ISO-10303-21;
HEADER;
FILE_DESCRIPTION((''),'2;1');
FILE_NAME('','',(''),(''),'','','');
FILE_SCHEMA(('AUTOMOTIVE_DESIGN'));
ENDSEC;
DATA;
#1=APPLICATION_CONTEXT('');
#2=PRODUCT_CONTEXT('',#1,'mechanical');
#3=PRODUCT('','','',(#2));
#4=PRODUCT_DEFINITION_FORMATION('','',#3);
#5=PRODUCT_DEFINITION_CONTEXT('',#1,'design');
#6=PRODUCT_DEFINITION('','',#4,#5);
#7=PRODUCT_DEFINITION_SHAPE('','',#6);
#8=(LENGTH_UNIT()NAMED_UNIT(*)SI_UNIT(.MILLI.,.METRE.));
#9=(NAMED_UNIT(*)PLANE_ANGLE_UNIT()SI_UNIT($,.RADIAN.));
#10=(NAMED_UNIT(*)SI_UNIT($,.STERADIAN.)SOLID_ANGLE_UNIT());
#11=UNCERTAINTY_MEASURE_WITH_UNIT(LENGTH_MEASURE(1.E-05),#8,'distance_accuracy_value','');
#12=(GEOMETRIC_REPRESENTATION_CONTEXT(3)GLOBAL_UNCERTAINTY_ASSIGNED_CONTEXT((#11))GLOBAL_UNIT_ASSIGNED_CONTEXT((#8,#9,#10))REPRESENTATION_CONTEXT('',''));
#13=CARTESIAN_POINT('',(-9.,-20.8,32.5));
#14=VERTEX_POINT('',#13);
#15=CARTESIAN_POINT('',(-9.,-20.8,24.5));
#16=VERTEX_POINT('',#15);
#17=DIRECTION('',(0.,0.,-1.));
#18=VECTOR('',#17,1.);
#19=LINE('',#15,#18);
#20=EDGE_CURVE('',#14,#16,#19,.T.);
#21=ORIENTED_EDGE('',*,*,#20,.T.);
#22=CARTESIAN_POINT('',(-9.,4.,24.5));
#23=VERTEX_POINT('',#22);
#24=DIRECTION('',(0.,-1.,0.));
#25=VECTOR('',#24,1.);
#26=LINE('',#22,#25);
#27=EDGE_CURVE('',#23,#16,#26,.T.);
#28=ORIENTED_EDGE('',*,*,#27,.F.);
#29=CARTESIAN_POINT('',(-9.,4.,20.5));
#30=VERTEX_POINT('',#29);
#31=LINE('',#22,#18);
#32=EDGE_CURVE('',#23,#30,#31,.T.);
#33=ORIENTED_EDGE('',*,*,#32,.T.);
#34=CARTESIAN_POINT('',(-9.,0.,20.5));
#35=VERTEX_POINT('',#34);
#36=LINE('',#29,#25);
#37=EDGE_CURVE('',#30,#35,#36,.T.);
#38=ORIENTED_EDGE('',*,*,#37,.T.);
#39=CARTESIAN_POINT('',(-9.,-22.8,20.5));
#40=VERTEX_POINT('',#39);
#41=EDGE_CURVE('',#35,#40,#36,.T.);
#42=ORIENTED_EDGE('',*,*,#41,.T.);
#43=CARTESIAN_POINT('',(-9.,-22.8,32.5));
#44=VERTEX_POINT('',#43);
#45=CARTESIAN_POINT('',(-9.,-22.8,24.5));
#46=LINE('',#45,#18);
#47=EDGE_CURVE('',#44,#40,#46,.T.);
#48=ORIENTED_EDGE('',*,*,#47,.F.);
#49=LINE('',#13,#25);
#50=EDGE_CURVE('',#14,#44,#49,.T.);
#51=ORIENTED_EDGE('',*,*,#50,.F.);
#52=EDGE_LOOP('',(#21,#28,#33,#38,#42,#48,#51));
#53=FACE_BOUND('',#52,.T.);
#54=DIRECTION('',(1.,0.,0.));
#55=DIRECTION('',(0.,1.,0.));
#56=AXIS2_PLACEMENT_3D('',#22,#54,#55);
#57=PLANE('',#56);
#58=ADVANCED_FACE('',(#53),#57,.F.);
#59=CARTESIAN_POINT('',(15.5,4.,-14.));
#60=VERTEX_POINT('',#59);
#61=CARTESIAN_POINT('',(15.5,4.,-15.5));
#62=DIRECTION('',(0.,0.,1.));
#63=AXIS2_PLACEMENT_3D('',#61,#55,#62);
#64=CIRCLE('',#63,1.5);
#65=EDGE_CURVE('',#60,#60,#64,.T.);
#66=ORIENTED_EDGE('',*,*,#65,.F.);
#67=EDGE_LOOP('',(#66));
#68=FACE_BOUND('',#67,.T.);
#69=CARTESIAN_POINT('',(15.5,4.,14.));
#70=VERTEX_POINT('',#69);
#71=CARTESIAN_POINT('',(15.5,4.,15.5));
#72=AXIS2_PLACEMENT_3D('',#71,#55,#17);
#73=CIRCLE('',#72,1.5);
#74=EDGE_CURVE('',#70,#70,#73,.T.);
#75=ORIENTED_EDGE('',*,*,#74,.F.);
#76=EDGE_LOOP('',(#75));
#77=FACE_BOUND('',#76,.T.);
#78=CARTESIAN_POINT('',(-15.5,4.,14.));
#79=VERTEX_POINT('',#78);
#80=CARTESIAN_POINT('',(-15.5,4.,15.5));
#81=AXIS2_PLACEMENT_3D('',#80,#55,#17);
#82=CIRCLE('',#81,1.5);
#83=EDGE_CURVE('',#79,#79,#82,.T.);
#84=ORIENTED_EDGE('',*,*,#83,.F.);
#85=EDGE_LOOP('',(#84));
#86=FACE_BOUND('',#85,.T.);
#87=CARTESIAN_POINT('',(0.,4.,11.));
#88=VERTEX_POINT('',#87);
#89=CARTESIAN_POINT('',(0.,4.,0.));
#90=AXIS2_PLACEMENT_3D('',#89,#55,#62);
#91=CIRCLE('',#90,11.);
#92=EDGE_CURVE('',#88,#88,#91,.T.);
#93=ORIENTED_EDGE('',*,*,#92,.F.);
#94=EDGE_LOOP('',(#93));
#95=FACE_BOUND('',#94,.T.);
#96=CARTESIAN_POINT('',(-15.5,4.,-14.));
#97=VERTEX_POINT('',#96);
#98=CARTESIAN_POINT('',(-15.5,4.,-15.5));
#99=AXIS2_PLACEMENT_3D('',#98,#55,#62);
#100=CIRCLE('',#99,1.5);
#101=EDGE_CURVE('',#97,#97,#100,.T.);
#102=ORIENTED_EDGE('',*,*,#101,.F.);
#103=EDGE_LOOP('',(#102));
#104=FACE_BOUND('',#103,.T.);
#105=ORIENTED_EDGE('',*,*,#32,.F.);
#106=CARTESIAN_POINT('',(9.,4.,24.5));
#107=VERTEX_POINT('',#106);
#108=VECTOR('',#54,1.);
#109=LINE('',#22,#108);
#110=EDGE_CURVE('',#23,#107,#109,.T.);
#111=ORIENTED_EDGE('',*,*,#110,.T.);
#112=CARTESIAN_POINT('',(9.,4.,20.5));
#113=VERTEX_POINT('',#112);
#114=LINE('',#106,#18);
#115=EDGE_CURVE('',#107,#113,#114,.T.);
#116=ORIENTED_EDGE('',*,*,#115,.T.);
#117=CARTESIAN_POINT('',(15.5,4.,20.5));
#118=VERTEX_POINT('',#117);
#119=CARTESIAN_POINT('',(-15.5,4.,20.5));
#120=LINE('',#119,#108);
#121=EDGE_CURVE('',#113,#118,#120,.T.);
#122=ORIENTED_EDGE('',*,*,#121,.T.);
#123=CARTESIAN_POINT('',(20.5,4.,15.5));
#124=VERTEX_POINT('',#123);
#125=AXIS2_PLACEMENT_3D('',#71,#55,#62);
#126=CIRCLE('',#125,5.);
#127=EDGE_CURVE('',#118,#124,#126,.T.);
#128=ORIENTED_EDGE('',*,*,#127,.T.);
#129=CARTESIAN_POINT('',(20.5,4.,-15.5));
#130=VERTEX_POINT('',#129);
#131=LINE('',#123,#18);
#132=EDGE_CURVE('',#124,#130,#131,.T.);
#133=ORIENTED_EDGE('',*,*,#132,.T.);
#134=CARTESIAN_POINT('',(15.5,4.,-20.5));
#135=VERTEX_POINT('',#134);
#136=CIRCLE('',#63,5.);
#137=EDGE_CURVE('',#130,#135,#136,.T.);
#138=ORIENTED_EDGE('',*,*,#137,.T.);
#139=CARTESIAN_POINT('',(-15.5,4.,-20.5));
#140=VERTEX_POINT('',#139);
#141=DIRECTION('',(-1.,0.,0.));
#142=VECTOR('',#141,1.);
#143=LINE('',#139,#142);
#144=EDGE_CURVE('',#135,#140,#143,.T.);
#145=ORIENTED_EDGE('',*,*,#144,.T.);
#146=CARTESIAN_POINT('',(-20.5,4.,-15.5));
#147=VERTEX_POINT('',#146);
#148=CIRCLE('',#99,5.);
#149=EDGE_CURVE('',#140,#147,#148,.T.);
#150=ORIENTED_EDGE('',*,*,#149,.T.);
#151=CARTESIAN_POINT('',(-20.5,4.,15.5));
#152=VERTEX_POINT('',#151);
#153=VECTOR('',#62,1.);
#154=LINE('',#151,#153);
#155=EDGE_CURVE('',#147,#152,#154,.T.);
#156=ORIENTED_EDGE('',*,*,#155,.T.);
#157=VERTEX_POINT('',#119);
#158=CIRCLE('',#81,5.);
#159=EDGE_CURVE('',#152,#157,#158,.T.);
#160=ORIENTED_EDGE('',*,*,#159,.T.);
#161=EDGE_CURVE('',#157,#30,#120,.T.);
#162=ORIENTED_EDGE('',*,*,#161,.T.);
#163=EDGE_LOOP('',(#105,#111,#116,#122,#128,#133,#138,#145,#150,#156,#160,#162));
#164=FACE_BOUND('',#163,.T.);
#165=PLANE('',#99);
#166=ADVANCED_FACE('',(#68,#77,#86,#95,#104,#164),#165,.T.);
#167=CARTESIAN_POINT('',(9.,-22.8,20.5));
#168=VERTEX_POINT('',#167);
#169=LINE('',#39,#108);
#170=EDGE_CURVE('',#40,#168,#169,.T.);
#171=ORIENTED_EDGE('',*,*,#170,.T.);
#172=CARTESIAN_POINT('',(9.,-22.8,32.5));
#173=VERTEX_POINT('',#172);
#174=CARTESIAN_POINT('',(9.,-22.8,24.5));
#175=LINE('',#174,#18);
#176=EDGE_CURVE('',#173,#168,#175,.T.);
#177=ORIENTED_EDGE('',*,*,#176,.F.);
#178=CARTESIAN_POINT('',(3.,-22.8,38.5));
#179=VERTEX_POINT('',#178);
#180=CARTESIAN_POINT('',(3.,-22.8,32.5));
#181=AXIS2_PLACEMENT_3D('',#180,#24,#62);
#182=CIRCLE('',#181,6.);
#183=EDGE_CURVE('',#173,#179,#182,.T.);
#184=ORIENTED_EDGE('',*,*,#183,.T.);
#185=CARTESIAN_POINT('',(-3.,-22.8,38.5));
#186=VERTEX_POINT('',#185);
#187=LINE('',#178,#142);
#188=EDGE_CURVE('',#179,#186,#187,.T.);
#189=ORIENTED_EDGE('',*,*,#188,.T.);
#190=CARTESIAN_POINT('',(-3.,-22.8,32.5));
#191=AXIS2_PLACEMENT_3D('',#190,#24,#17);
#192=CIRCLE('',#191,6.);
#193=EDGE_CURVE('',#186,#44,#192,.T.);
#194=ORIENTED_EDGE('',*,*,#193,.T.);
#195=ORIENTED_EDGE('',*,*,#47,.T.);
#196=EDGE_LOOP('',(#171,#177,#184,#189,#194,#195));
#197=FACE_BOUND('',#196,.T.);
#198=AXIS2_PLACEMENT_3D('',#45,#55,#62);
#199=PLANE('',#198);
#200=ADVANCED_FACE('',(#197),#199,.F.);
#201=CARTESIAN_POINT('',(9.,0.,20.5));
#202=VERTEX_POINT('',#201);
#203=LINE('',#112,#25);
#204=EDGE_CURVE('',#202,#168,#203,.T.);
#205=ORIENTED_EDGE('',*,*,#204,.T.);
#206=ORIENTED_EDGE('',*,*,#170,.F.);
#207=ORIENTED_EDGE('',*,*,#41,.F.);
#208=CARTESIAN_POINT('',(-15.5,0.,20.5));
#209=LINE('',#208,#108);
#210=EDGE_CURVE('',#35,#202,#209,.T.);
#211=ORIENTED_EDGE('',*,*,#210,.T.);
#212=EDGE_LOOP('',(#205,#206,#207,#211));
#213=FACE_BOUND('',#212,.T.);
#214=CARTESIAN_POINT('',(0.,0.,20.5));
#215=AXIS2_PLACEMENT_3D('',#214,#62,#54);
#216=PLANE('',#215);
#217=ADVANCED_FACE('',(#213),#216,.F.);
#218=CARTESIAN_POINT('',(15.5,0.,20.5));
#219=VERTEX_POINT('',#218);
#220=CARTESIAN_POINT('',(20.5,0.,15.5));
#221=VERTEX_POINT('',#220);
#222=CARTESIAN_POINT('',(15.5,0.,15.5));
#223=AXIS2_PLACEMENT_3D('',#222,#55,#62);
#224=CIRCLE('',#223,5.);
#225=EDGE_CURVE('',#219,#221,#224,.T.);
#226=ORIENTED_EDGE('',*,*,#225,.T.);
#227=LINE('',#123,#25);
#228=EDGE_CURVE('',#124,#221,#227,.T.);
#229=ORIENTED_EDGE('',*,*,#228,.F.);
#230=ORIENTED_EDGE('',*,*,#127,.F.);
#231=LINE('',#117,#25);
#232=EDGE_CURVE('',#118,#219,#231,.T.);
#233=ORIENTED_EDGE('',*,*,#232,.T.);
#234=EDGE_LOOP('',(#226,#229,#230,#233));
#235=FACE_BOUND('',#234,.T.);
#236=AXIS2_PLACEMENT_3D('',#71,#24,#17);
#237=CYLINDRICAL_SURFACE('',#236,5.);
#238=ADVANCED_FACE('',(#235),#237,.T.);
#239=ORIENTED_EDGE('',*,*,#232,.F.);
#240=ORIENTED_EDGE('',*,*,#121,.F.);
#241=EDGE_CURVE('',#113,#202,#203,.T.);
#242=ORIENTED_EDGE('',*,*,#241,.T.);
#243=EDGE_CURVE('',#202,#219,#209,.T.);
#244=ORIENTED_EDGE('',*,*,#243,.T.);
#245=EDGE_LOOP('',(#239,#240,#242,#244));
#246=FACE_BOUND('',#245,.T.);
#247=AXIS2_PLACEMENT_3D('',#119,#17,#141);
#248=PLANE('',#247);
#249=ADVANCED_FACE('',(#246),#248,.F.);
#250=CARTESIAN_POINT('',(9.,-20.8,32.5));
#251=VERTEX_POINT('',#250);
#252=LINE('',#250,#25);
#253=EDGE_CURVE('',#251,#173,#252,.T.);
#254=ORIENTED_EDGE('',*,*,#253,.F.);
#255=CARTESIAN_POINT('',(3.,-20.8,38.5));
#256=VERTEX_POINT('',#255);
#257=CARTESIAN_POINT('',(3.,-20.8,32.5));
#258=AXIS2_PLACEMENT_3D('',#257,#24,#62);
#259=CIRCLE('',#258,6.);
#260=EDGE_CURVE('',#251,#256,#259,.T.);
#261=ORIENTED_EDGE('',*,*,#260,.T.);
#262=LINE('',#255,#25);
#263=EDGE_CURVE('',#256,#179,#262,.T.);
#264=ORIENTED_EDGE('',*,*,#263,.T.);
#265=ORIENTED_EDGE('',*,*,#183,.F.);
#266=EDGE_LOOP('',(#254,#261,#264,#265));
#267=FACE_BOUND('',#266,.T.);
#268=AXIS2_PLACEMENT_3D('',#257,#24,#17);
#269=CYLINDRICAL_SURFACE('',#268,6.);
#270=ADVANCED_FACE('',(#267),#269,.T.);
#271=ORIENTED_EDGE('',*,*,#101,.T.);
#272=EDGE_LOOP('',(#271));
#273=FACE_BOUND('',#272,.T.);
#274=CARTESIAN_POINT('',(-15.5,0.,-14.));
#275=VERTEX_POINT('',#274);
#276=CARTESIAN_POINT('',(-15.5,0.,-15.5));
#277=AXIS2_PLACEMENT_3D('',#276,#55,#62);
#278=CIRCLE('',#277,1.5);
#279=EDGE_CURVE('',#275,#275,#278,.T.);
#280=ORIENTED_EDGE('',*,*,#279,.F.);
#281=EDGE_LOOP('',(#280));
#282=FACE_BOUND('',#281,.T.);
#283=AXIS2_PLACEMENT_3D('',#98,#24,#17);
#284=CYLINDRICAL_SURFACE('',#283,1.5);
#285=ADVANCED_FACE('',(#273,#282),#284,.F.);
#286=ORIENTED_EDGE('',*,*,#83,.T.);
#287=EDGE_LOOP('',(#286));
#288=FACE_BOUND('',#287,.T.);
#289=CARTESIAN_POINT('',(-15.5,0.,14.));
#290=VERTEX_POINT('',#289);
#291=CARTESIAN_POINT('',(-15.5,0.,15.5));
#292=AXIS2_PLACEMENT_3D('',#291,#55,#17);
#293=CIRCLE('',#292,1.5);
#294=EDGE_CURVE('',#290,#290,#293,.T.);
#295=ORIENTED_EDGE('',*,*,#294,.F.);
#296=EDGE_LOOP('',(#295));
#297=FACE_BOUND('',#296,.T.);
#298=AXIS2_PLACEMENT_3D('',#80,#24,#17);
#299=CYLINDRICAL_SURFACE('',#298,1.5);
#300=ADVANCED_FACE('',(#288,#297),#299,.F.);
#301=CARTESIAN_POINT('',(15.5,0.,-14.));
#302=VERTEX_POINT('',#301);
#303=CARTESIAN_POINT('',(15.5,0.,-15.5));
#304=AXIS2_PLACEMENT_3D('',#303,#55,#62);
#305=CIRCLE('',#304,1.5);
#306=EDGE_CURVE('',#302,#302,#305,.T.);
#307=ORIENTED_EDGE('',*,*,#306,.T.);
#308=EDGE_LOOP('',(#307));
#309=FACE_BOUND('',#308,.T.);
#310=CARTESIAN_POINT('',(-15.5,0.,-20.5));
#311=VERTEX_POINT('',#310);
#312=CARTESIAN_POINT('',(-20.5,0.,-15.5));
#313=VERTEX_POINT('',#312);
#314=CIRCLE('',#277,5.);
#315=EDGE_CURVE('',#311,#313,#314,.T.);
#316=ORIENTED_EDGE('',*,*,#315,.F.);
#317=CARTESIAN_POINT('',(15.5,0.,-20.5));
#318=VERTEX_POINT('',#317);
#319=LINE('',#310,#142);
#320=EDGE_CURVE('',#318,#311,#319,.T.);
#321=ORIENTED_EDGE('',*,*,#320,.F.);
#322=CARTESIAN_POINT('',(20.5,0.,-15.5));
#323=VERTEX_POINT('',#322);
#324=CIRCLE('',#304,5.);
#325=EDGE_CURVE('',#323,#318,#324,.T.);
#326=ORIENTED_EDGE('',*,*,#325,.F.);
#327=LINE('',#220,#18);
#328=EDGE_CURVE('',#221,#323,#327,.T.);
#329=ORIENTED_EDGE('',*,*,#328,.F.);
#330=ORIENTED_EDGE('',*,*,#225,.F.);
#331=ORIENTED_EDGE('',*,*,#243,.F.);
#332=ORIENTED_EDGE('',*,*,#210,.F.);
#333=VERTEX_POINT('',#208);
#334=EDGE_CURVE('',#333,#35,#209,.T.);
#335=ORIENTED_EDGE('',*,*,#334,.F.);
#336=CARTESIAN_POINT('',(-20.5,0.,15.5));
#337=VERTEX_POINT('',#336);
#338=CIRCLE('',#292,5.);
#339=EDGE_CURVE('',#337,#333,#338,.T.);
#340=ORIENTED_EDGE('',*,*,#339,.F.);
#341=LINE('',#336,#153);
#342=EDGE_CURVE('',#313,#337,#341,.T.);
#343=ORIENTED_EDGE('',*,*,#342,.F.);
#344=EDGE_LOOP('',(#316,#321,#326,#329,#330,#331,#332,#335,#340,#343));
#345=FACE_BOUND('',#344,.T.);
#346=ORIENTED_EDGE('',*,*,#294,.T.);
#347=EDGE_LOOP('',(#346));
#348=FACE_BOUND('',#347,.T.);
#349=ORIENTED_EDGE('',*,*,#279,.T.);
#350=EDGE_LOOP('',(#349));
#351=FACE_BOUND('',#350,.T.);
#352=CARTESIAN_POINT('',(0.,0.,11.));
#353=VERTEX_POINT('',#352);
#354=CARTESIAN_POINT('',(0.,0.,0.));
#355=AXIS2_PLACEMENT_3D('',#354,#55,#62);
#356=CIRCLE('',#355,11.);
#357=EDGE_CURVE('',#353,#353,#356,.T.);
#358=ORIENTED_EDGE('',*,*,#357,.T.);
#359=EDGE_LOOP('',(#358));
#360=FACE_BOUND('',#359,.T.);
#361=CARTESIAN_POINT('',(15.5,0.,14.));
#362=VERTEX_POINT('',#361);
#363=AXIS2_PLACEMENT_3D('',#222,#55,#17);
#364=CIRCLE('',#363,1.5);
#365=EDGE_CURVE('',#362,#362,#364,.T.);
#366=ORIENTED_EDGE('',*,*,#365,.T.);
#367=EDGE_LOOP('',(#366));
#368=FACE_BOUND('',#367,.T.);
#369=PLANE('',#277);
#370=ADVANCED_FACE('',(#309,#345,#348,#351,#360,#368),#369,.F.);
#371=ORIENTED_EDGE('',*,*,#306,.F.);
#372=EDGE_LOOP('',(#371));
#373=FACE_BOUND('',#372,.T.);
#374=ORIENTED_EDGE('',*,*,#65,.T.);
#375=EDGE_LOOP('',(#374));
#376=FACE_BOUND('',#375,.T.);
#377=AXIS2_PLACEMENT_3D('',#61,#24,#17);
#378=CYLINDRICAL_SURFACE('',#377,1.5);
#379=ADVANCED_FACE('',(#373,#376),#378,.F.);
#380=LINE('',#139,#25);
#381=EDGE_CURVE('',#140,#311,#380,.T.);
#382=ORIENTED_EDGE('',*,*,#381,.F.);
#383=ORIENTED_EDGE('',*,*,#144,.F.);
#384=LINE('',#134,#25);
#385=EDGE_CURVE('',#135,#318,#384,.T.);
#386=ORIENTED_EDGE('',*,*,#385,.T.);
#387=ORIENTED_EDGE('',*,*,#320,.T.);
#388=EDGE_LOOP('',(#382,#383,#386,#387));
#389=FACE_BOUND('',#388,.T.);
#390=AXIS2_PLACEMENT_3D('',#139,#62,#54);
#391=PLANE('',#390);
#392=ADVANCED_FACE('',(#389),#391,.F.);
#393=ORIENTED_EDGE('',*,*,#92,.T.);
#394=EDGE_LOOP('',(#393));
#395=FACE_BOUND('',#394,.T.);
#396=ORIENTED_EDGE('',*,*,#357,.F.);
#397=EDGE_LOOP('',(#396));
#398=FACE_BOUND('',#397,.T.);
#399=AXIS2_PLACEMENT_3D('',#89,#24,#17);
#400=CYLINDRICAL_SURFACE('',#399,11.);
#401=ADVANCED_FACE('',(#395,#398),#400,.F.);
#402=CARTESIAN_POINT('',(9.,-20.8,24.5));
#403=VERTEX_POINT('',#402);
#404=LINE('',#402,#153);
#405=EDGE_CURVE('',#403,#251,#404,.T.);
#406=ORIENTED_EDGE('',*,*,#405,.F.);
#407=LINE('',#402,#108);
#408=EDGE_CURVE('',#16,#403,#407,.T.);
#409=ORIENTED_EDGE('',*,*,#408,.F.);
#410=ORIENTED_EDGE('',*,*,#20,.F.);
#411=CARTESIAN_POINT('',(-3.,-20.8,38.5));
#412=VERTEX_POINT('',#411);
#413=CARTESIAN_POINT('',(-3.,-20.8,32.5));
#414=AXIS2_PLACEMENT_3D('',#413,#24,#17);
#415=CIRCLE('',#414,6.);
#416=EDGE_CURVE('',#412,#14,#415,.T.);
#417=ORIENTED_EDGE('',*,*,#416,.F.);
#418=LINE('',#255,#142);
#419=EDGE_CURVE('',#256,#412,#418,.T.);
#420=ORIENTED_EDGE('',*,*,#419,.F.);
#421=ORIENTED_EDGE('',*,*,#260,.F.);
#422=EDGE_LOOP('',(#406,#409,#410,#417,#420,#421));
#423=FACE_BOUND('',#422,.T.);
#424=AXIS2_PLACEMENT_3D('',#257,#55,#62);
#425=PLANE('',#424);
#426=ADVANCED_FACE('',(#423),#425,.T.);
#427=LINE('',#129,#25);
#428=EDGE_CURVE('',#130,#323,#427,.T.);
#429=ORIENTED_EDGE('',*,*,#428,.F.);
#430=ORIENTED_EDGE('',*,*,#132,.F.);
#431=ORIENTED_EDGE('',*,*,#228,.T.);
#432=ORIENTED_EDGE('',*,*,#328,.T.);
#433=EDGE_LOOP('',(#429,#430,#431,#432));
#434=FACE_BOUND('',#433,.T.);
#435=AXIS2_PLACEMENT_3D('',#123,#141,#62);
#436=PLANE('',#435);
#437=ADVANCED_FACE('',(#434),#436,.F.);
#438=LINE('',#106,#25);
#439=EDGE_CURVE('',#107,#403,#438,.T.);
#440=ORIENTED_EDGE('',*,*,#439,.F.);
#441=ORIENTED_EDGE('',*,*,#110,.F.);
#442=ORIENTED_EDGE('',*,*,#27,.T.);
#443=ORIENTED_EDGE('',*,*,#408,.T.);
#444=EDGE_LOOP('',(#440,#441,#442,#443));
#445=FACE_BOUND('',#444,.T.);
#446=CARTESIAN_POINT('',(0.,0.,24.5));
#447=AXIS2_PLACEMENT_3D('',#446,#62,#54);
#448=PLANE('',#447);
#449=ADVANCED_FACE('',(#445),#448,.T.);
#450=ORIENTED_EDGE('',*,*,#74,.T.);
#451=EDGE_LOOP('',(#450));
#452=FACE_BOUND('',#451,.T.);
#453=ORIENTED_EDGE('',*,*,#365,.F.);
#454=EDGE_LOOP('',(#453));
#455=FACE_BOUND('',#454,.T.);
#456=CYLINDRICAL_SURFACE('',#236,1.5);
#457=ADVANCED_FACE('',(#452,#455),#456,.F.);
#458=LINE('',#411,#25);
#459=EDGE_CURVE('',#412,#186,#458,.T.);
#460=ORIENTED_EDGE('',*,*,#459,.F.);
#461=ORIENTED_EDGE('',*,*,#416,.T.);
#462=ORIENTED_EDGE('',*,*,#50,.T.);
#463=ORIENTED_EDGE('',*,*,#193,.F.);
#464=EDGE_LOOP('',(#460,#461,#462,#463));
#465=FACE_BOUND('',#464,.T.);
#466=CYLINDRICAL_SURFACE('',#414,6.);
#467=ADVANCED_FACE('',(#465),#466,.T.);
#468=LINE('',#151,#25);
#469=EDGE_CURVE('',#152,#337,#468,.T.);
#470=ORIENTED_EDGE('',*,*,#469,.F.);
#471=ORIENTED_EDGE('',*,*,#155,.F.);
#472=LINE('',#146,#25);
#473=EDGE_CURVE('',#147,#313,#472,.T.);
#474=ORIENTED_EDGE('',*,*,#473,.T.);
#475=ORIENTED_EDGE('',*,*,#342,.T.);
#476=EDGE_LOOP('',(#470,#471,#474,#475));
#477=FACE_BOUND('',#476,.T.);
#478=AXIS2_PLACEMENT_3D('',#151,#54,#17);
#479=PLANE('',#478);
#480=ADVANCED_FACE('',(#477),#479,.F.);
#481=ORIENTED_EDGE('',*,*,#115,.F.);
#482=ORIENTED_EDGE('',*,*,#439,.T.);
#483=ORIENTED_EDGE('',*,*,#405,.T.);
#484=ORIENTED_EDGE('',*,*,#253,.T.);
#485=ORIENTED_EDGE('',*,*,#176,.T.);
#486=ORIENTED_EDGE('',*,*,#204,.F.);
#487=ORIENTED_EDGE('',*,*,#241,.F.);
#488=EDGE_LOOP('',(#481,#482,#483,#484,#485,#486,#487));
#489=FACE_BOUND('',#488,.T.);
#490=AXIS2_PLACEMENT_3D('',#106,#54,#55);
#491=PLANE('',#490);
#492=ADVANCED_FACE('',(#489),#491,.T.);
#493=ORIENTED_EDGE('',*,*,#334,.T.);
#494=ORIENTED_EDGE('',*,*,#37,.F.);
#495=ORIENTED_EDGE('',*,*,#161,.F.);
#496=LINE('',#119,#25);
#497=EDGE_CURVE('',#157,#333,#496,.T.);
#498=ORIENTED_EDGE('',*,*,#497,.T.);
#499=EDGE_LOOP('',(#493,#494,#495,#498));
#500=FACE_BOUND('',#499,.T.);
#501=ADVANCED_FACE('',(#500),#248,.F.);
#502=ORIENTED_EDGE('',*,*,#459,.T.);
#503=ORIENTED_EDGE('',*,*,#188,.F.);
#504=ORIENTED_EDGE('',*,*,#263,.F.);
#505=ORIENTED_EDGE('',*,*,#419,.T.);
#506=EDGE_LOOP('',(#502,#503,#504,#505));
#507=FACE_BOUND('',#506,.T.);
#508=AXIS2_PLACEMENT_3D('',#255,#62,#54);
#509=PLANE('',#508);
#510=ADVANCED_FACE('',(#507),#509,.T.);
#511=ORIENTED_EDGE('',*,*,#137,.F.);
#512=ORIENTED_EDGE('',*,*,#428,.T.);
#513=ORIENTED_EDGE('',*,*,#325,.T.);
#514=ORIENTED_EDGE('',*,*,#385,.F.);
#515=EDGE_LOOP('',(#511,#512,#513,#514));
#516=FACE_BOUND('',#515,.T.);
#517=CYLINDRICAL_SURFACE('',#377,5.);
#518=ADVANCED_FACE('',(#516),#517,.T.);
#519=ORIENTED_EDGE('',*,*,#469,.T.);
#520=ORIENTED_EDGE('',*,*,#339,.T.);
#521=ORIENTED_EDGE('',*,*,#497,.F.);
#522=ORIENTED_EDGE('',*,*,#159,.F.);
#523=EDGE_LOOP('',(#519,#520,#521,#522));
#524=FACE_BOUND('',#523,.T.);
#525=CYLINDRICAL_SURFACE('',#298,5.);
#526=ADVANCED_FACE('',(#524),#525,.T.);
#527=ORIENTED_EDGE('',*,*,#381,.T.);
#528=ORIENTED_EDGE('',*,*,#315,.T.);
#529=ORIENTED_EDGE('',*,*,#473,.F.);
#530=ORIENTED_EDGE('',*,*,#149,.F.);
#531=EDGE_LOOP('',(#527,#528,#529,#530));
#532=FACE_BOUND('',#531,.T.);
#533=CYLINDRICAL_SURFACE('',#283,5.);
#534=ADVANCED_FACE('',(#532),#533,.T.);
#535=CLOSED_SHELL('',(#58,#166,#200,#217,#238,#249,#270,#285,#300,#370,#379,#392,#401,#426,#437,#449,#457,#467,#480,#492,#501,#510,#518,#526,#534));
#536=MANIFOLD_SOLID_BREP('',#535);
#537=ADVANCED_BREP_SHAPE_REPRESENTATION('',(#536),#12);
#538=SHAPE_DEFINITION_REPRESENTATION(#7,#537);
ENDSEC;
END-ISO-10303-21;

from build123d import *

# Parameters (mm, degrees)
SKETCH_2_R        = 11
SKETCH_2_R_2      = 1.5
EXTRUDE_483_DEPTH = 4
SKETCH_3_W        = 18
SKETCH_3_H        = 26.8
EXTRUDE_726_DEPTH = 4
EXTRUDE_922_DEPTH = 2


with BuildPart() as part:
    # Эскиз2 → Extrude 483 (new body)
    with BuildSketch(Plane(origin=(0, 0, 0), x_dir=(1, 0, 0), z_dir=(0, 1, 0))):
        with BuildLine():
            Line((-15.5, -20.5), (15.5, -20.5))
            ThreePointArc((15.5, -20.5), (19.035533906, -19.035533906), (20.5, -15.5))
            Line((20.5, -15.5), (20.5, 15.5))
            ThreePointArc((20.5, 15.5), (19.035533906, 19.035533906), (15.5, 20.5))
            Line((15.5, 20.5), (-15.5, 20.5))
            ThreePointArc((-15.5, 20.5), (-19.035533906, 19.035533906), (-20.5, 15.5))
            Line((-20.5, 15.5), (-20.5, -15.5))
            ThreePointArc((-20.5, -15.5), (-19.035533906, -19.035533906), (-15.5, -20.5))
        make_face()
        with Locations(Location((0, 0, 0), (0, 0, 270))):
            Circle(SKETCH_2_R, mode=Mode.SUBTRACT)
        with Locations(Location((-15.5, 15.5, 0), (0, 0, 270))):
            Circle(SKETCH_2_R_2, mode=Mode.SUBTRACT)
        with Locations(Location((15.5, -15.5, 0), (0, 0, 90))):
            Circle(SKETCH_2_R_2, mode=Mode.SUBTRACT)
        with Locations(Location((-15.5, -15.5, 0), (0, 0, 90))):
            Circle(SKETCH_2_R_2, mode=Mode.SUBTRACT)
        with Locations(Location((15.5, 15.5, 0), (0, 0, 270))):
            Circle(SKETCH_2_R_2, mode=Mode.SUBTRACT)
    extrude(amount=EXTRUDE_483_DEPTH)

    # Эскиз3 → Extrude 726 (add)
    with BuildSketch(Plane.XY.offset(20.5)):
        with Locations((0, -9.4)):
            Rectangle(SKETCH_3_W, SKETCH_3_H)
    extrude(amount=EXTRUDE_726_DEPTH)

    # Эскиз4 → Extrude 922 (add)
    with BuildSketch(Plane.XZ.offset(22.8)):
        with BuildLine():
            Line((9, 24.5), (-9, 24.5))
            Line((-9, 24.5), (-9, 32.5))
            ThreePointArc((-9, 32.5), (-7.242640687, 36.742640687), (-3, 38.5))
            Line((-3, 38.5), (3, 38.5))
            ThreePointArc((3, 38.5), (7.242640687, 36.742640687), (9, 32.5))
            Line((9, 32.5), (9, 24.5))
        make_face()
    extrude(amount=-EXTRUDE_922_DEPTH)


solid = part.part
